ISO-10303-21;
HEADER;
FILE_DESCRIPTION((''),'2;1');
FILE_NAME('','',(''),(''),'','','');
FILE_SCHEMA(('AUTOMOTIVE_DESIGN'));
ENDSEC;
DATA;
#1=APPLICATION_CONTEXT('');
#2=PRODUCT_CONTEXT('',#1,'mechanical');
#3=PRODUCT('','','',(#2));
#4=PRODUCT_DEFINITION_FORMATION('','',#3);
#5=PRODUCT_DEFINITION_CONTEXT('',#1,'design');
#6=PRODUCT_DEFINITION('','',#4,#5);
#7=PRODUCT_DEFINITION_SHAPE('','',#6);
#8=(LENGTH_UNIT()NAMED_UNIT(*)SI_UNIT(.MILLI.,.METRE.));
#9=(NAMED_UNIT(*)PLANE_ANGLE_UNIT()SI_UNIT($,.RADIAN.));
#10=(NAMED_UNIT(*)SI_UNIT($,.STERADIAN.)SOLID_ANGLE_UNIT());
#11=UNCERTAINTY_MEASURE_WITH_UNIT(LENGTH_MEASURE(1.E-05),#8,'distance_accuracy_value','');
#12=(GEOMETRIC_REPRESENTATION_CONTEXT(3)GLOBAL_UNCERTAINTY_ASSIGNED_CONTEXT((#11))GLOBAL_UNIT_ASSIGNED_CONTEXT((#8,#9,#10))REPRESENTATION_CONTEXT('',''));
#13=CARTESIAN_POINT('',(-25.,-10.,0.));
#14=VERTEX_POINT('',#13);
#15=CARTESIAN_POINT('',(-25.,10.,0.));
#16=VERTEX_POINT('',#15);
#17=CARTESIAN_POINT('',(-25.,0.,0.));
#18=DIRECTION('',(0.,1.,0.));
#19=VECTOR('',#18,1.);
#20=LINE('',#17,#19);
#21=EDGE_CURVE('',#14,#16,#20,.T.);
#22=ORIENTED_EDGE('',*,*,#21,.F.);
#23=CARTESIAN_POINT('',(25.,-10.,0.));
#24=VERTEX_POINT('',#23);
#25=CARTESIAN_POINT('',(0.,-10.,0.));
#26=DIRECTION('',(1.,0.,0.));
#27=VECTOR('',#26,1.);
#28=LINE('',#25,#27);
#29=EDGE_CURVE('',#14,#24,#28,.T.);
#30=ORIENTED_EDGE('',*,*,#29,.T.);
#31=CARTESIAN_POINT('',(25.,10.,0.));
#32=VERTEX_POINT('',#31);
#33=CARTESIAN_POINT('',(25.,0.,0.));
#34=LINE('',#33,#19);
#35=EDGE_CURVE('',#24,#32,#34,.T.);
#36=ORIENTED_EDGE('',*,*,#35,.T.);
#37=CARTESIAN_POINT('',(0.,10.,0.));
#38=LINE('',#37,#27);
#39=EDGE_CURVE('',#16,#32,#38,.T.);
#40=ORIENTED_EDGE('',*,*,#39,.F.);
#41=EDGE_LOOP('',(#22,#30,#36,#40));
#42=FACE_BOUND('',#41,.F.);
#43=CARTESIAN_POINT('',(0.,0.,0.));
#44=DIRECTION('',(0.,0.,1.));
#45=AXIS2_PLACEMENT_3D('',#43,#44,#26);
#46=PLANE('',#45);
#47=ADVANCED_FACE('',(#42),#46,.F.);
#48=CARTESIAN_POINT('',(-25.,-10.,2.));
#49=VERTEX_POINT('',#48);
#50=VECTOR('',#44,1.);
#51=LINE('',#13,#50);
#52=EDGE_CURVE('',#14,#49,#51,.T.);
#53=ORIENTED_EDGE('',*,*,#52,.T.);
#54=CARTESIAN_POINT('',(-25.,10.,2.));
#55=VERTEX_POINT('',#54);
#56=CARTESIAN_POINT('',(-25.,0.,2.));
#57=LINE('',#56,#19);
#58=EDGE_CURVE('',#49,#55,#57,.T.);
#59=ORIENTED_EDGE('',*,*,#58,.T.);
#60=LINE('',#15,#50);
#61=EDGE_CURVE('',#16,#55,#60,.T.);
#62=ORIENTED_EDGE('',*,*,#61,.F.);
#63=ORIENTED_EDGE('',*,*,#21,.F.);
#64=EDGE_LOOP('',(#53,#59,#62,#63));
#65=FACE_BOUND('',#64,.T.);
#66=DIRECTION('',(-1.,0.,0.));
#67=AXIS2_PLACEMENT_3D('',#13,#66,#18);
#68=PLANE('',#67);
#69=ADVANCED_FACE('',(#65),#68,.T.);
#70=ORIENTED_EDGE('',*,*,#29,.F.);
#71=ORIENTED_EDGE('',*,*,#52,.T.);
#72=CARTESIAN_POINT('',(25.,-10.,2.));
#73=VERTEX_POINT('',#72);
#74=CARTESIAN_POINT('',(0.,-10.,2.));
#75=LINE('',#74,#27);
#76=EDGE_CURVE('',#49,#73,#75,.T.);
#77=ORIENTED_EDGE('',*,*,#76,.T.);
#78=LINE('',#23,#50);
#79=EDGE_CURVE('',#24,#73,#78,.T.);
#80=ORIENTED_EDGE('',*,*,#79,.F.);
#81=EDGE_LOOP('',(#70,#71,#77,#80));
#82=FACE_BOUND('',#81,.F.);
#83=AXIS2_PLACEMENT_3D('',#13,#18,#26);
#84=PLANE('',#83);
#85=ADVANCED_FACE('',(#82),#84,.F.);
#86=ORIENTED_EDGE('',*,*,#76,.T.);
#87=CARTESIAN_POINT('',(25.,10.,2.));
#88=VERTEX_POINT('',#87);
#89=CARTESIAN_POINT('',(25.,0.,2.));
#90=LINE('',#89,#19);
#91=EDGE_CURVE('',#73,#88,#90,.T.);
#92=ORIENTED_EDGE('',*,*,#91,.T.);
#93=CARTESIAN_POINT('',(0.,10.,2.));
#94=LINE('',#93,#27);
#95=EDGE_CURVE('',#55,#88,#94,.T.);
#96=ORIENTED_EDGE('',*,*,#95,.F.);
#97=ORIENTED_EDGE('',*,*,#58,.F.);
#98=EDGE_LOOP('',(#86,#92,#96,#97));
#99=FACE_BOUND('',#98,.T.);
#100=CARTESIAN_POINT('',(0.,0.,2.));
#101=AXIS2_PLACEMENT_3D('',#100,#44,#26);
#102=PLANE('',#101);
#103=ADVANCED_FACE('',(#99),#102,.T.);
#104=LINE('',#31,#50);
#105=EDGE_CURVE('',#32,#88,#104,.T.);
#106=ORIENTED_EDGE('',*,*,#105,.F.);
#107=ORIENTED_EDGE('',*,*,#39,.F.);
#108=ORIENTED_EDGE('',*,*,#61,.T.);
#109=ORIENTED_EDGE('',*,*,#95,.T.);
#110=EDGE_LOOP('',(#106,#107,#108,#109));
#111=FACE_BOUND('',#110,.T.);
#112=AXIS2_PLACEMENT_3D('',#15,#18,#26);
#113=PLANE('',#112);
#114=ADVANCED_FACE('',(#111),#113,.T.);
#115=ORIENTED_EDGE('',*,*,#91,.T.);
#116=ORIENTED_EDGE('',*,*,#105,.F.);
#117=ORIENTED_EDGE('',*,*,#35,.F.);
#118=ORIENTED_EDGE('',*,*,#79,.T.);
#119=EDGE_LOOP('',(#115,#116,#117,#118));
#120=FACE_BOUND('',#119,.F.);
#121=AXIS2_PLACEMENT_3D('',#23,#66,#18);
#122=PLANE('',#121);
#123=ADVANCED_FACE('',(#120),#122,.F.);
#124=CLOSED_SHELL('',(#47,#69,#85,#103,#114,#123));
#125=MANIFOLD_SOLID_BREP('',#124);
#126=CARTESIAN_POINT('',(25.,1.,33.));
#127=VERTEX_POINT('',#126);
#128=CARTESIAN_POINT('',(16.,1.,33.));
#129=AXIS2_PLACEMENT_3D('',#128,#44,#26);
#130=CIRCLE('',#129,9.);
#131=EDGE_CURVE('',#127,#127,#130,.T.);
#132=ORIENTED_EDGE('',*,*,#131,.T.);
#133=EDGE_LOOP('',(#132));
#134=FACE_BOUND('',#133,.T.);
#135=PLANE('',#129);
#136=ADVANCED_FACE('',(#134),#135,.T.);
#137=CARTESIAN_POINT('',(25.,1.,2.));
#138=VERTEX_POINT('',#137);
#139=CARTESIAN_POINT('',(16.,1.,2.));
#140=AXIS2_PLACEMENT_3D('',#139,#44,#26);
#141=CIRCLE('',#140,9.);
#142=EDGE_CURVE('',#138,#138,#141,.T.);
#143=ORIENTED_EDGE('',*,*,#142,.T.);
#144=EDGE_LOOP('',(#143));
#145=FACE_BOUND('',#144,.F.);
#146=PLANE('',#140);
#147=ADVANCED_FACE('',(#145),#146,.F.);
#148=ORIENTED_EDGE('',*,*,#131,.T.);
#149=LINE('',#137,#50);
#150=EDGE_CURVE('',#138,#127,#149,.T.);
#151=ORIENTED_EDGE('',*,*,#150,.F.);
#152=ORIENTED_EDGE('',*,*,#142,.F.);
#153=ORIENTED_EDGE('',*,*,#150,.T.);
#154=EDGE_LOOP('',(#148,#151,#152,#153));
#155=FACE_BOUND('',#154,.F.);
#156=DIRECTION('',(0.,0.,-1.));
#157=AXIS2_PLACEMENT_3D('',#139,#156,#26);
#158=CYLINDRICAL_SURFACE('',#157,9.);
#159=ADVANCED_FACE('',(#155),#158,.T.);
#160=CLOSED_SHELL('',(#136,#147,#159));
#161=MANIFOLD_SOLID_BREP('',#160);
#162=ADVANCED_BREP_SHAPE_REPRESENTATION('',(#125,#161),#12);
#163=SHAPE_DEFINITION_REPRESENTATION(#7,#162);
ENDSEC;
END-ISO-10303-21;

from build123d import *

# Parameters (mm, degrees)
SKETCH_W     = 50
SKETCH_H     = 20
PAD_DEPTH    = 2
SKETCH001_R  = 9
PAD001_DEPTH = 31


with BuildPart() as pcb:
    # Sketch → Pad (new body)
    with BuildSketch(Plane.XY):
        Rectangle(SKETCH_W, SKETCH_H)
    extrude(amount=PAD_DEPTH)


with BuildPart() as capacitor:
    # Sketch001 → Pad001 (new body)
    with BuildSketch(Plane.XY.offset(2)):
        with Locations((16, 1)):
            Circle(SKETCH001_R)
    extrude(amount=PAD001_DEPTH)


solid = Compound([pcb.part, capacitor.part])
